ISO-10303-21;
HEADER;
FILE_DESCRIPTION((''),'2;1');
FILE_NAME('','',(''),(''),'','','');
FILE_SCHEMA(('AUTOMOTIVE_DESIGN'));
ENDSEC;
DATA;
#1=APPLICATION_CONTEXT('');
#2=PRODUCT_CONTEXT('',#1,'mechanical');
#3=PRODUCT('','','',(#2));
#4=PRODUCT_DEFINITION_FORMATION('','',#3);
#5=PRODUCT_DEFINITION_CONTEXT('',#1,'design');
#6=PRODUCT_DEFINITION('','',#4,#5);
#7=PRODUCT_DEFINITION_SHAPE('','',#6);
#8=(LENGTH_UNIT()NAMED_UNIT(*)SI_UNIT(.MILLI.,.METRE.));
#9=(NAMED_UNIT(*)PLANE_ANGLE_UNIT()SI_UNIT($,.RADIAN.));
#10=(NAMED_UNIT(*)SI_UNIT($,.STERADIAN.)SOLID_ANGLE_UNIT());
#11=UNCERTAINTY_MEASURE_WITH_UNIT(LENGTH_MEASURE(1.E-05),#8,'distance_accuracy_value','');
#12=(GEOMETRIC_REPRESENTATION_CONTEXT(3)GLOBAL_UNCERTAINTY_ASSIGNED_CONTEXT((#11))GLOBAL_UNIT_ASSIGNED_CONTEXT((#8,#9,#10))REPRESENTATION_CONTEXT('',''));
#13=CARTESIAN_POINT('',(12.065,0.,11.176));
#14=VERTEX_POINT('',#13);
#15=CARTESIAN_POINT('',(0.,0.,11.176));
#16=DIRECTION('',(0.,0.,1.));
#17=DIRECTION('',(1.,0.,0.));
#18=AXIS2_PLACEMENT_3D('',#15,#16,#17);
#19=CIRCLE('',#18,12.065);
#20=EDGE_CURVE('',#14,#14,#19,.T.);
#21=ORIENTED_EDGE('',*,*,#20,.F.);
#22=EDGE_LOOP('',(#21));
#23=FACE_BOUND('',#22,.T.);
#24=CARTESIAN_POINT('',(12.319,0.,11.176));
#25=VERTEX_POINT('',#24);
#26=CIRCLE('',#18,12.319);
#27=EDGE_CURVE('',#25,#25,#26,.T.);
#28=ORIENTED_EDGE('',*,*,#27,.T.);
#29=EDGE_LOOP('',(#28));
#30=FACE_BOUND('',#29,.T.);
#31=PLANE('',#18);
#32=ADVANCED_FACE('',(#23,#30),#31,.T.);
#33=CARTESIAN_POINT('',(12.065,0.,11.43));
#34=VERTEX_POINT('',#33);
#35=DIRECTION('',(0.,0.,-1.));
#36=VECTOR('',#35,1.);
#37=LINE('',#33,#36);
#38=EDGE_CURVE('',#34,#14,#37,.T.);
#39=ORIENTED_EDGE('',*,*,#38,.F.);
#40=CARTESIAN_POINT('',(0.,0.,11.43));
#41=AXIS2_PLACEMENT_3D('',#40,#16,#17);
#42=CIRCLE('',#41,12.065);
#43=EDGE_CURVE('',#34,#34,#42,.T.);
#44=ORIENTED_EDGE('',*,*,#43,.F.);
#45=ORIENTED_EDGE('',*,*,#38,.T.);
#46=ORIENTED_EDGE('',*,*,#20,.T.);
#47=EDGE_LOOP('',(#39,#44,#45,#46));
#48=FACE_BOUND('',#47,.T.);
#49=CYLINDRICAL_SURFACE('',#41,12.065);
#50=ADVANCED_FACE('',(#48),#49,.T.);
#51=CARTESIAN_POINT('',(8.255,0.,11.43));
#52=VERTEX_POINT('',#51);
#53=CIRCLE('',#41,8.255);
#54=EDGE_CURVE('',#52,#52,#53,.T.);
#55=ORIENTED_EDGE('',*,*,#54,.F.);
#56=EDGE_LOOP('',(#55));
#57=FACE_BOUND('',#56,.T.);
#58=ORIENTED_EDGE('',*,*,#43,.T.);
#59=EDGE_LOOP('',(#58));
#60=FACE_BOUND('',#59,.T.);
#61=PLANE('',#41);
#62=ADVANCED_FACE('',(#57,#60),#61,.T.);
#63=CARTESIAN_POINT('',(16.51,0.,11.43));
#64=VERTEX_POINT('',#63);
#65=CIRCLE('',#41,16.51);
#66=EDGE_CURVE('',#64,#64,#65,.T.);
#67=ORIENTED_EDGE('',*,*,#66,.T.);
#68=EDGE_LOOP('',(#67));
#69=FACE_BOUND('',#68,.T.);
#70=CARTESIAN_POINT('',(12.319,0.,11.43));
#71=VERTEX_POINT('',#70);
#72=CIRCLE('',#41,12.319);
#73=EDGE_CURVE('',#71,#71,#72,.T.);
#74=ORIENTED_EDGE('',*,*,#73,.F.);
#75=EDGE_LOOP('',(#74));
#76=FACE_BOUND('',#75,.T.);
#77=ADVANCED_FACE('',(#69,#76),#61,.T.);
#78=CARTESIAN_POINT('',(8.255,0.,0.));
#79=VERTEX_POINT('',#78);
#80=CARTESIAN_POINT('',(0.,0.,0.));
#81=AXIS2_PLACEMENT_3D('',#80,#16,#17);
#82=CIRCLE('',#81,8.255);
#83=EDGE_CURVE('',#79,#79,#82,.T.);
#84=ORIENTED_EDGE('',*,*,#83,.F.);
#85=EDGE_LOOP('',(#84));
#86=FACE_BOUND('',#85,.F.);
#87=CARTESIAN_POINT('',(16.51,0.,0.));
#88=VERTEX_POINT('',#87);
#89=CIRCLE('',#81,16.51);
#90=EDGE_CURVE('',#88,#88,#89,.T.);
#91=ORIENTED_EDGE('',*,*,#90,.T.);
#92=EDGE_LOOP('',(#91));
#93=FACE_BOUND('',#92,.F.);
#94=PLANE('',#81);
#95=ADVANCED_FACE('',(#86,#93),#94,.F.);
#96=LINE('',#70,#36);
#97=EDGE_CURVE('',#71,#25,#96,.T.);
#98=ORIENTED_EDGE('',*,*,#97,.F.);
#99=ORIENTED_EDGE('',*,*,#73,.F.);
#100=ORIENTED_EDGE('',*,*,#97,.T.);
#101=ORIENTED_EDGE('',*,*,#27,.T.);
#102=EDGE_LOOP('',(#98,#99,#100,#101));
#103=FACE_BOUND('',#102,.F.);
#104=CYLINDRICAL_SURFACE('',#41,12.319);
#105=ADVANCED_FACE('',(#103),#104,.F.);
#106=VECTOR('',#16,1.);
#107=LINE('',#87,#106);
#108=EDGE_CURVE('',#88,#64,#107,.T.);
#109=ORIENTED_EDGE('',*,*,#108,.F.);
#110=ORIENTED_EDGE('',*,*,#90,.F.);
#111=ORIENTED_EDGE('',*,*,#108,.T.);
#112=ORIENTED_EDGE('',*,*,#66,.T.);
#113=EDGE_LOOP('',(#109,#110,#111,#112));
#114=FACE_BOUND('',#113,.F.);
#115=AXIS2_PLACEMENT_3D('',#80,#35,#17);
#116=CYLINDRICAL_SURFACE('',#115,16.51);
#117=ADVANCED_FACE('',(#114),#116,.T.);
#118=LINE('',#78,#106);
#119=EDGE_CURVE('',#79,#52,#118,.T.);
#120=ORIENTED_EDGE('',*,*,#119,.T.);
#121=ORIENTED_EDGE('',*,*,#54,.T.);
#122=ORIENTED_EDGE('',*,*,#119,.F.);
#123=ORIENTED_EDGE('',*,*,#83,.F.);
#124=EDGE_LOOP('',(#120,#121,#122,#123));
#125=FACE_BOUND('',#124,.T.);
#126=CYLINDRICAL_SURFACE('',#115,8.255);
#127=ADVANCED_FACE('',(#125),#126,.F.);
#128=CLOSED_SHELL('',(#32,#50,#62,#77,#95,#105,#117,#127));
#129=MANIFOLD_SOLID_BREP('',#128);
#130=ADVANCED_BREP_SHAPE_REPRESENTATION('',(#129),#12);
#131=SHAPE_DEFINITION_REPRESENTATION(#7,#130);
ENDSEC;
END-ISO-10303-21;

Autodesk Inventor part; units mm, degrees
ref_plane "YZ Plane" through (0, 0, 0) normal (1, 0, 0) x (0, 1, 0)
ref_plane "XZ Plane" through (0, 0, 0) normal (0, 1, 0) x (-1, 0, 0)
ref_plane "XY Plane" through (0, 0, 0) normal (0, 0, 1) x (1, 0, 0)
sketch "Sketch1" plane through (0, 0, 0) normal (0, 0, 1) x (1, 0, 0)
  circle A0 centre (0, 0) radius 16.51
  circle A1 centre (0, 0) radius 8.255
  dimension "d0" = 33.02
  dimension "d3" = 16.51
extrude "Extrusion2" add sketch "Sketch1" along normal blind 11.43
sketch "Sketch2" plane through (0, 0, 11.43) normal (0, 0, 1) x (1, 0, 0)
  circle A0 centre (0, 0) radius 12.065
  circle A1 centre (0, 0) radius 12.319
  circle A2 centre (0, 0) radius 8.255 projected
  dimension "d6" = 0.254
  dimension "d8" = 3.81
extrude "Extrusion3" cut sketch "Sketch2" against normal blind 0.254 contours A1
properties part number "RobotArm ShaftColar"
